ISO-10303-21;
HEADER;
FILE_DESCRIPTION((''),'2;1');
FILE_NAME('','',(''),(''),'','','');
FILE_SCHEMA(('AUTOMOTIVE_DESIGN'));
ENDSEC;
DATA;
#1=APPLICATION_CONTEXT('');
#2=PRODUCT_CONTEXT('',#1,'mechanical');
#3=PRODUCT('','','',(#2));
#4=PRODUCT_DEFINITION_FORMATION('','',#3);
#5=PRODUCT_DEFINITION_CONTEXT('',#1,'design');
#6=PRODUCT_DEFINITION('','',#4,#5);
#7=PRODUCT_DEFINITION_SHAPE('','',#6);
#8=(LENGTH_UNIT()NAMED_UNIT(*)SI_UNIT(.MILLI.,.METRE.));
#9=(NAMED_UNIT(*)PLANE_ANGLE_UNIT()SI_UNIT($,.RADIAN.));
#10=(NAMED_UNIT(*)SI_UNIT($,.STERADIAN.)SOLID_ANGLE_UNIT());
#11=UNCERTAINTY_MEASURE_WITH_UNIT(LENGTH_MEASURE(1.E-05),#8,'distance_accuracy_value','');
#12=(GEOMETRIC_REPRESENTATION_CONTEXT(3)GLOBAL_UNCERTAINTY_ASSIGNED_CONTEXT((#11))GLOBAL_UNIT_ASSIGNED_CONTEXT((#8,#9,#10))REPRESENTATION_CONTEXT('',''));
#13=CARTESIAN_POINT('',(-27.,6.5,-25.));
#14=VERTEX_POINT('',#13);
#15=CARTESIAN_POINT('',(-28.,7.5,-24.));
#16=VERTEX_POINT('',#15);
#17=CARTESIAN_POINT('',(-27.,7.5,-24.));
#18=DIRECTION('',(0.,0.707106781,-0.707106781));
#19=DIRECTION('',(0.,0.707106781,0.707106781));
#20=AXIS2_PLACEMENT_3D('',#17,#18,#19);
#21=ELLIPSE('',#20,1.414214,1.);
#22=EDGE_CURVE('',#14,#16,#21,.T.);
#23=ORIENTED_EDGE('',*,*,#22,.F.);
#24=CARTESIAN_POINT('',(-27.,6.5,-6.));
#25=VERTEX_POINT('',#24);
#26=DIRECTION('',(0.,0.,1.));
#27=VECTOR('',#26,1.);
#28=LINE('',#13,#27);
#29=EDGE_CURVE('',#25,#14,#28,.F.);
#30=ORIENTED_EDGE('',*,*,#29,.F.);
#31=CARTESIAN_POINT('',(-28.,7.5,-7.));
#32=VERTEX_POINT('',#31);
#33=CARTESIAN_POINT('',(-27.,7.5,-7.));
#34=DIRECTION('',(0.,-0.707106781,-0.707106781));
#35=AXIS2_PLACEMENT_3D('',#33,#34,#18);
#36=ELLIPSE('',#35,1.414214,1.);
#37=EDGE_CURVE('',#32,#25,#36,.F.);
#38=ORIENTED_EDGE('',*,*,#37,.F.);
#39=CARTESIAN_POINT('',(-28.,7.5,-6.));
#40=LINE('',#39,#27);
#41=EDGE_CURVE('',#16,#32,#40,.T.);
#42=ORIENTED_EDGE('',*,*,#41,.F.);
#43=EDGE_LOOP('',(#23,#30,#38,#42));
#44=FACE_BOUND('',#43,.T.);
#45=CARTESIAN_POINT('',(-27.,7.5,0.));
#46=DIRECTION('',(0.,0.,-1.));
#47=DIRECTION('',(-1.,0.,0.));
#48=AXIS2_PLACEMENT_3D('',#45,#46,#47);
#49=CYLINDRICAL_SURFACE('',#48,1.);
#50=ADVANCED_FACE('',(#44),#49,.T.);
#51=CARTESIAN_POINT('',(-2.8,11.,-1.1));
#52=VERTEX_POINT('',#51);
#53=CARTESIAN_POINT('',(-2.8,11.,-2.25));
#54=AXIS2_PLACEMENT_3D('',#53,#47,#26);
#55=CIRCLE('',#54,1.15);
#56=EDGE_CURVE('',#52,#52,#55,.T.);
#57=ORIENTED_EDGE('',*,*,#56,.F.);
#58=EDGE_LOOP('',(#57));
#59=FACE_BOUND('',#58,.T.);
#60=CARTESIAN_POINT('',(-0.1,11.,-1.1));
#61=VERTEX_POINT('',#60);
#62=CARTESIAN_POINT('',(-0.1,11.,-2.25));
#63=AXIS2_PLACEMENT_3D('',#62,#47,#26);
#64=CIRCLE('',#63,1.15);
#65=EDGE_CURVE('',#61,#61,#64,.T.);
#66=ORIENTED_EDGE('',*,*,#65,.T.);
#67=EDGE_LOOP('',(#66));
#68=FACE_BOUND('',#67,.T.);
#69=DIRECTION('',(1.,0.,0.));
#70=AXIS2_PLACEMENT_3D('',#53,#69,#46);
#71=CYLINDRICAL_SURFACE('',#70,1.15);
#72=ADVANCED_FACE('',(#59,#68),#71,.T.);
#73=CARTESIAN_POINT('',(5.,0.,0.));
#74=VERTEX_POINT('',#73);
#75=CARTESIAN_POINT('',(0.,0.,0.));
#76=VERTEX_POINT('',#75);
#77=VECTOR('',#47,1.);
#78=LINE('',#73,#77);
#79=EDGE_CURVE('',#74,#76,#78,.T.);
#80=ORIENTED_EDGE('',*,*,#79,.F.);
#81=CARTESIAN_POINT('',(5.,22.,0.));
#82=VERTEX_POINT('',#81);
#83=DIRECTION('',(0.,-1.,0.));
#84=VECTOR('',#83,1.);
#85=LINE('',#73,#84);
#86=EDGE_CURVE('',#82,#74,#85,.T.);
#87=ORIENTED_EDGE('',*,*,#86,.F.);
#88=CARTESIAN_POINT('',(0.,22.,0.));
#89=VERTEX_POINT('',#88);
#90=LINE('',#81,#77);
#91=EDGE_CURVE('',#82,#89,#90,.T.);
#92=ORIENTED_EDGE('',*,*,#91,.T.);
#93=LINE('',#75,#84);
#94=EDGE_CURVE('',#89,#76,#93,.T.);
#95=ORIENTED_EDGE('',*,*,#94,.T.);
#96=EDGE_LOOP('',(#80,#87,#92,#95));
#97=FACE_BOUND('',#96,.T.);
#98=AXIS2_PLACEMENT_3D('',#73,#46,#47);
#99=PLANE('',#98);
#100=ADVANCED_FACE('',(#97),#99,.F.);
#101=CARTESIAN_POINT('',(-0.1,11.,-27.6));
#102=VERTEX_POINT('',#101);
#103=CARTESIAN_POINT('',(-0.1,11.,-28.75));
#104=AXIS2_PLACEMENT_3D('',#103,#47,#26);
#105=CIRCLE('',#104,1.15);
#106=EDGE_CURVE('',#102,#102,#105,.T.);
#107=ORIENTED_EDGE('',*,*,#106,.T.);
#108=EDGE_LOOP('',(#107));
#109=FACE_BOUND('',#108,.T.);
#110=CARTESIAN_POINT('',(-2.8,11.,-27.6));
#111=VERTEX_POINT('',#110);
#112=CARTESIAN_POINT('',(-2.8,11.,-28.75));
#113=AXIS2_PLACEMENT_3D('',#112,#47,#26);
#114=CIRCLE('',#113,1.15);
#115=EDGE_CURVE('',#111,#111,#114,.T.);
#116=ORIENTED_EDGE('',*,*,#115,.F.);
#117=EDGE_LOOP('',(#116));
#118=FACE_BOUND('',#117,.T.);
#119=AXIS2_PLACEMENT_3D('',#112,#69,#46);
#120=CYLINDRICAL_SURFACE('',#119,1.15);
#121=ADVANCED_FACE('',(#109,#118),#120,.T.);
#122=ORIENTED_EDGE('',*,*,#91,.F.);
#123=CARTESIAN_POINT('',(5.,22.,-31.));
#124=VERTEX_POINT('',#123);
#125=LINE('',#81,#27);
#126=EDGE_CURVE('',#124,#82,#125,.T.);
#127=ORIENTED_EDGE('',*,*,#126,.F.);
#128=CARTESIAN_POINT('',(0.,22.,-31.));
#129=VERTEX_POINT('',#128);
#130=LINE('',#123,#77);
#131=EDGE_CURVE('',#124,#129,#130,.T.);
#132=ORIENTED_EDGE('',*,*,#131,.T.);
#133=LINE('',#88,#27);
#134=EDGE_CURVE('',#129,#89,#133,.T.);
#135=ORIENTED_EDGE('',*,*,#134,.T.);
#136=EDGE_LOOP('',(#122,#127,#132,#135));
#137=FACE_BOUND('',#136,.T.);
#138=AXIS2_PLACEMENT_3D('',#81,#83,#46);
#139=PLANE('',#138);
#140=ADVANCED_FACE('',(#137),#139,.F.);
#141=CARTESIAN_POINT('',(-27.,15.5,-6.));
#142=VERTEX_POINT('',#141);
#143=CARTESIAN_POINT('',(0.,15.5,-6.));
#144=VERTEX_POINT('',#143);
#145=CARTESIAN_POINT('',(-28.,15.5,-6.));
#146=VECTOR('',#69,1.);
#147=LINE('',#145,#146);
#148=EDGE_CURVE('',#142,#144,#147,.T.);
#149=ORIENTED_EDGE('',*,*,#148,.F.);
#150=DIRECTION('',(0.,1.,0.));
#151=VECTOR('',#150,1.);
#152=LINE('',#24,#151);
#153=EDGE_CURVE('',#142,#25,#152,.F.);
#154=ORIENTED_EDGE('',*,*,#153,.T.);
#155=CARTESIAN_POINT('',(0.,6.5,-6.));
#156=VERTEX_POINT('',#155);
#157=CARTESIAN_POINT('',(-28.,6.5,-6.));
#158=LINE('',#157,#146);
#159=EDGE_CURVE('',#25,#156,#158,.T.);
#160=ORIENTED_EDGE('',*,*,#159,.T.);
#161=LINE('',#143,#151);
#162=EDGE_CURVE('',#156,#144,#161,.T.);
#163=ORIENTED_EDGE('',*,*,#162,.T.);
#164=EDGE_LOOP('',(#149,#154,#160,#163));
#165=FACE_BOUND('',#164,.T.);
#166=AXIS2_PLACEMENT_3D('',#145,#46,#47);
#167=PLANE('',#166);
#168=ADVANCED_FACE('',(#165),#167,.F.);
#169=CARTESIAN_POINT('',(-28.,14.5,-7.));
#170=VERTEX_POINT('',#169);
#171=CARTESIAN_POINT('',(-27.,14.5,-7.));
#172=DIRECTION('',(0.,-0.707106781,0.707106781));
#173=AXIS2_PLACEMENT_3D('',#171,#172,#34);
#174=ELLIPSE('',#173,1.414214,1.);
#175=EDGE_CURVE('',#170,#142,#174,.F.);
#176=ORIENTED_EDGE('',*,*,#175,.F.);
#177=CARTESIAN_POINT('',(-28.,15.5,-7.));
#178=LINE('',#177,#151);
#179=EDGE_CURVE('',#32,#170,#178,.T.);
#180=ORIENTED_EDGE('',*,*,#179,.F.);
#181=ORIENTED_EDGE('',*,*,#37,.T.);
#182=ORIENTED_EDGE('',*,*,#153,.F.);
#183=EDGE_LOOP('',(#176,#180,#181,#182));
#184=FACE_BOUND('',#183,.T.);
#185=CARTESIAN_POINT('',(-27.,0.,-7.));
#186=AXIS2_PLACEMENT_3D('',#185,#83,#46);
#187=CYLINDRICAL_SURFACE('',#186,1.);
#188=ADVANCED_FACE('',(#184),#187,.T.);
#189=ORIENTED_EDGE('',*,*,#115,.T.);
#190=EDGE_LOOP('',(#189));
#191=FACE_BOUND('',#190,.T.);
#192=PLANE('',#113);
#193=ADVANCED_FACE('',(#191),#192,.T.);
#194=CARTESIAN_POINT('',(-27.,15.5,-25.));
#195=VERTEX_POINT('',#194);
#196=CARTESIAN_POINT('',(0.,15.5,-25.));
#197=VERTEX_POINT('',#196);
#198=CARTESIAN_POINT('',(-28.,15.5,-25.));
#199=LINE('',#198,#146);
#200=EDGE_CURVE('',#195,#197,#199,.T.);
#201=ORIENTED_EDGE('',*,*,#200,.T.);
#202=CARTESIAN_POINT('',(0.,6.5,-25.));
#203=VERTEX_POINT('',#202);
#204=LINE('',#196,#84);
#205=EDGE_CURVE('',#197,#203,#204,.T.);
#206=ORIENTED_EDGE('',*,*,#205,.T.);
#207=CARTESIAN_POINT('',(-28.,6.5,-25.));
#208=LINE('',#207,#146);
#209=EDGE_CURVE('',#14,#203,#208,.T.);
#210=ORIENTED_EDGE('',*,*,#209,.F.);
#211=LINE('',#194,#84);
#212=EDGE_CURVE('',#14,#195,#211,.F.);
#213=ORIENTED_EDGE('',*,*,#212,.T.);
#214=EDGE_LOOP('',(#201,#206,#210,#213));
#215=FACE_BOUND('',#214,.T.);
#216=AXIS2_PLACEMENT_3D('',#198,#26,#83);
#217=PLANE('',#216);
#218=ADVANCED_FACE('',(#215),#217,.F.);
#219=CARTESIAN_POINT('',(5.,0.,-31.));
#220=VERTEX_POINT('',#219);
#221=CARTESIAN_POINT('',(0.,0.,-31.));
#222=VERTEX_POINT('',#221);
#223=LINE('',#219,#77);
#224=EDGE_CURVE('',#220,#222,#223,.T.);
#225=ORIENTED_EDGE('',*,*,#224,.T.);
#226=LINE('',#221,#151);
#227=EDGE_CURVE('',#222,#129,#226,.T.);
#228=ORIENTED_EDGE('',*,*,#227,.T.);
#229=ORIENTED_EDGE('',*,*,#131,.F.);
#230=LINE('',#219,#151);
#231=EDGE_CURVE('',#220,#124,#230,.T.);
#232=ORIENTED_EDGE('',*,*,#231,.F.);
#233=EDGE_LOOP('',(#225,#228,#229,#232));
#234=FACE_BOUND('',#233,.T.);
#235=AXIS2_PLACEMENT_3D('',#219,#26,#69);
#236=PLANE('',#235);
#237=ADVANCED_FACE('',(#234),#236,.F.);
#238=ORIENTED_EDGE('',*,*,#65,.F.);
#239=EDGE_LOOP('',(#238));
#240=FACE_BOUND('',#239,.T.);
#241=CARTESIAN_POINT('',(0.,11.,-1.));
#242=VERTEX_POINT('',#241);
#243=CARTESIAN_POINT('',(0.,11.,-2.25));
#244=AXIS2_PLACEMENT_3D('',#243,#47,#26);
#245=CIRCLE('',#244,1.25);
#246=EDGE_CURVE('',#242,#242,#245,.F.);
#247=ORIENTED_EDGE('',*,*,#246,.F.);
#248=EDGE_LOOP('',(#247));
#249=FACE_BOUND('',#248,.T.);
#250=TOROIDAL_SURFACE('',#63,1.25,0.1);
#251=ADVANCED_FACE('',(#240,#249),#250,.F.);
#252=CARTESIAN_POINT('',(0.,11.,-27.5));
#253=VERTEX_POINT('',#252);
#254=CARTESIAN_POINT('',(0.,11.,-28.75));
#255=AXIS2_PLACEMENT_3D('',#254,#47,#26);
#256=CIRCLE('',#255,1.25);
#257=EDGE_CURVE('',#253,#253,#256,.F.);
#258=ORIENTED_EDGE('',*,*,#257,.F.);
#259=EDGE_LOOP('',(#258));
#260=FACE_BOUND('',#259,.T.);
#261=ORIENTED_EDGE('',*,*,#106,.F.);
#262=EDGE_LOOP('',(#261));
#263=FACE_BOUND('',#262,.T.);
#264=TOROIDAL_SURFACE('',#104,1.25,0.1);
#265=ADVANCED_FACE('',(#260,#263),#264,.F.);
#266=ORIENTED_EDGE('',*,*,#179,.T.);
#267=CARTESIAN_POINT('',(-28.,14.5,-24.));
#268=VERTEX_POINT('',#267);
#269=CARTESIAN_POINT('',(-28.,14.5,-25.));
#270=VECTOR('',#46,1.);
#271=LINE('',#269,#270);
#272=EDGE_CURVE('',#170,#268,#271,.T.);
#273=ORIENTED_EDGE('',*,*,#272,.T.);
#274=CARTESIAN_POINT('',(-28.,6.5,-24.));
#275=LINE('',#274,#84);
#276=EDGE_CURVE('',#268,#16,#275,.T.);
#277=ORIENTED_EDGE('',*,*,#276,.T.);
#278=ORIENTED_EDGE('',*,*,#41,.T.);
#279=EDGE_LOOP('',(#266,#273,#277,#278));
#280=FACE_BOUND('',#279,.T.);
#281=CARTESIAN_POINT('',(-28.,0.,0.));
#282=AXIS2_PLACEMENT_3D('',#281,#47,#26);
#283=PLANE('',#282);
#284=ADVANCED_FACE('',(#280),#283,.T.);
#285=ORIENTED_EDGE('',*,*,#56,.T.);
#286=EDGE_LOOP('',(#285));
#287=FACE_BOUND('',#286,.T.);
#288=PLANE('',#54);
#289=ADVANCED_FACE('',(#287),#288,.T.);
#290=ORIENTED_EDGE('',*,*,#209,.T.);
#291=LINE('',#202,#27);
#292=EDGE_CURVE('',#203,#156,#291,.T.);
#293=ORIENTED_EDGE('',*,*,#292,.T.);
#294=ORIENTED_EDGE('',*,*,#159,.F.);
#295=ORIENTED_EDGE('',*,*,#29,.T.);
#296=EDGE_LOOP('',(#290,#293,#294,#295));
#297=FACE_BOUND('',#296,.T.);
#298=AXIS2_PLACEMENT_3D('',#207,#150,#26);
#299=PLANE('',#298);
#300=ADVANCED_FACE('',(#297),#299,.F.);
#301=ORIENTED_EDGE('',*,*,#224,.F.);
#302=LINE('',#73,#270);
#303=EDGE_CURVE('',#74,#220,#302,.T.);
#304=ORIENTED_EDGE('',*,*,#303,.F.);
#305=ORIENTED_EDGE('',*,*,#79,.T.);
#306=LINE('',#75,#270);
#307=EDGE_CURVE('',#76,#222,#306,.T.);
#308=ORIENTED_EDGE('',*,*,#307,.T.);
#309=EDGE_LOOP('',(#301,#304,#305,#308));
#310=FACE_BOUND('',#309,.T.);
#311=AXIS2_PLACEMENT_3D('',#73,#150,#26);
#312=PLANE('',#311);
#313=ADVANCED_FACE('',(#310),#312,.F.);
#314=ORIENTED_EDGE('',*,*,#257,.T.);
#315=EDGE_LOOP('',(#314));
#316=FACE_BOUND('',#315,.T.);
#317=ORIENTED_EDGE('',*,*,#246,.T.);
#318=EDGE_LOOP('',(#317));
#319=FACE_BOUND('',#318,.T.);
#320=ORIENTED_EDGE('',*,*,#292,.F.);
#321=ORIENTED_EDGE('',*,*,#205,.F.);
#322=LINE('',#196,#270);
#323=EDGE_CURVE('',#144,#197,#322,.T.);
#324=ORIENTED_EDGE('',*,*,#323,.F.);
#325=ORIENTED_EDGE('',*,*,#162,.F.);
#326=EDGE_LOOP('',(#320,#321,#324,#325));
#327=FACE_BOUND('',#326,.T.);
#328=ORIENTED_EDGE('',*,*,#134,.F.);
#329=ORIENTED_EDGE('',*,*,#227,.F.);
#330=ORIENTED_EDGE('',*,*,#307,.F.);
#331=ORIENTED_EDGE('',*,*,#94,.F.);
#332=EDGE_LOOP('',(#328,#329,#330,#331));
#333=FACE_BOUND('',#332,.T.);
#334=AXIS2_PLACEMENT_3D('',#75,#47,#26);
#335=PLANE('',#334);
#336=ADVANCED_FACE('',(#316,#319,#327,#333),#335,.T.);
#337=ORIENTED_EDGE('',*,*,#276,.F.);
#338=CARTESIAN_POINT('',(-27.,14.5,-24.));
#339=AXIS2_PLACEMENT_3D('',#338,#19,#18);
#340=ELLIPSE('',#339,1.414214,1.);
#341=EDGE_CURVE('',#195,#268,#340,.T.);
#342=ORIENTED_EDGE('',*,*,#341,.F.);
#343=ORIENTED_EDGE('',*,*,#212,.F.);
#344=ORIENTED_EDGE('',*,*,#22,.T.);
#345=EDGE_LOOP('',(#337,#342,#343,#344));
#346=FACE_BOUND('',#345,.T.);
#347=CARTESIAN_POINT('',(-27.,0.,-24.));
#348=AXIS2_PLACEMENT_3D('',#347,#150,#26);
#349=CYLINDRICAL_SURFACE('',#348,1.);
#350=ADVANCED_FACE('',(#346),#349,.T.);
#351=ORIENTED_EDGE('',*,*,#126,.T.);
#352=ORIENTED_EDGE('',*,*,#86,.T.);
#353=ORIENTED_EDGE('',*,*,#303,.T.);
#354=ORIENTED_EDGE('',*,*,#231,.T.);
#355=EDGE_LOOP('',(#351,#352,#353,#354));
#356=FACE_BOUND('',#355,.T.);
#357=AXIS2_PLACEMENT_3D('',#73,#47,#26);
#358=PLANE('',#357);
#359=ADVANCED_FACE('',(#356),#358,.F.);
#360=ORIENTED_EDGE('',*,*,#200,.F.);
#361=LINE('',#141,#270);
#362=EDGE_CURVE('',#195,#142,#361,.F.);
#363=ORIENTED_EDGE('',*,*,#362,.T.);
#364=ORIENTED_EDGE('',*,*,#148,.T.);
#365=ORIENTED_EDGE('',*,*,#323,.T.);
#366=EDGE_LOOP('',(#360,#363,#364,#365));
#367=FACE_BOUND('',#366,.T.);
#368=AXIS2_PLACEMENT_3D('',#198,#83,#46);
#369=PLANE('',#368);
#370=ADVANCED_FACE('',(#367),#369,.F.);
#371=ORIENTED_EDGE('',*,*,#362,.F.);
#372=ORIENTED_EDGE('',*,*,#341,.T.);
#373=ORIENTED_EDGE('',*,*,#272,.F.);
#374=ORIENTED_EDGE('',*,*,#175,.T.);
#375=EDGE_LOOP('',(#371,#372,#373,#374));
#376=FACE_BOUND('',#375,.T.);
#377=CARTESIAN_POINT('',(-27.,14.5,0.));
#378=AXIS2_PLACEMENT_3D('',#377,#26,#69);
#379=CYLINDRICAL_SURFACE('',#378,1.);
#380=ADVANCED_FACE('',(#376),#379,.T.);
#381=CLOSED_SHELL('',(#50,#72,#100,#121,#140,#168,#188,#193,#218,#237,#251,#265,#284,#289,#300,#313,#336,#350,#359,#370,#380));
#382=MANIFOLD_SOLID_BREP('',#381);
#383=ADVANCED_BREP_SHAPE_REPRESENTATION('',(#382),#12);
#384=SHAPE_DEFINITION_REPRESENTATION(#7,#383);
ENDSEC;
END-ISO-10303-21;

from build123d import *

# Parameters (mm, degrees)
SKETCH1_W           = 31
SKETCH1_H           = 22
BOSS_EXTRUDE1_DEPTH = 5
SKETCH2_W           = 19
SKETCH2_H           = 9
BOSS_EXTRUDE2_DEPTH = 28
FILLET1_R           = 1
SKETCH3_R           = 1.15
BOSS_EXTRUDE3_DEPTH = 2.8
FILLET2_R           = 0.1
SKETCH4_R           = 1.15
BOSS_EXTRUDE4_DEPTH = 2.8
FILLET3_R           = 0.1


with BuildPart() as part:
    # Sketch1 → Boss-Extrude1 (new body)
    with BuildSketch(Plane(origin=(0, 0, 0), x_dir=(0, 0, -1), z_dir=(1, 0, 0))):
        with Locations((15.5, 11)):
            Rectangle(SKETCH1_W, SKETCH1_H)
    extrude(amount=BOSS_EXTRUDE1_DEPTH)

    # Sketch2 → Boss-Extrude2 (add)
    with BuildSketch(Plane.ZY):
        with Locations((-15.5, 11)):
            Rectangle(SKETCH2_W, SKETCH2_H)
    extrude(amount=BOSS_EXTRUDE2_DEPTH)

    # Fillet1
    fillet1_edges = [part.edges().sort_by_distance(p)[0] for p in [
        (-28, 11, -25),
        (-28, 6.5, -15.5),
        (-28, 11, -6),
        (-28, 15.5, -15.5),
    ]]
    fillet(fillet1_edges, radius=FILLET1_R)

    # Sketch3 → Boss-Extrude3 (add)
    with BuildSketch(Plane.ZY):
        with Locations((-2.25, 11)):
            Circle(SKETCH3_R)
    extrude(amount=BOSS_EXTRUDE3_DEPTH)

    # Fillet2
    fillet2_edges = [part.edges().sort_by_distance(p)[0] for p in [
        (0, 11, -3.4),
    ]]
    fillet(fillet2_edges, radius=FILLET2_R)

    # Sketch4 → Boss-Extrude4 (add)
    with BuildSketch(Plane.ZY):
        with Locations((-28.75, 11)):
            Circle(SKETCH4_R)
    extrude(amount=BOSS_EXTRUDE4_DEPTH)

    # Fillet3
    fillet3_edges = [part.edges().sort_by_distance(p)[0] for p in [
        (0, 11, -29.9),
    ]]
    fillet(fillet3_edges, radius=FILLET3_R)


solid = part.part
